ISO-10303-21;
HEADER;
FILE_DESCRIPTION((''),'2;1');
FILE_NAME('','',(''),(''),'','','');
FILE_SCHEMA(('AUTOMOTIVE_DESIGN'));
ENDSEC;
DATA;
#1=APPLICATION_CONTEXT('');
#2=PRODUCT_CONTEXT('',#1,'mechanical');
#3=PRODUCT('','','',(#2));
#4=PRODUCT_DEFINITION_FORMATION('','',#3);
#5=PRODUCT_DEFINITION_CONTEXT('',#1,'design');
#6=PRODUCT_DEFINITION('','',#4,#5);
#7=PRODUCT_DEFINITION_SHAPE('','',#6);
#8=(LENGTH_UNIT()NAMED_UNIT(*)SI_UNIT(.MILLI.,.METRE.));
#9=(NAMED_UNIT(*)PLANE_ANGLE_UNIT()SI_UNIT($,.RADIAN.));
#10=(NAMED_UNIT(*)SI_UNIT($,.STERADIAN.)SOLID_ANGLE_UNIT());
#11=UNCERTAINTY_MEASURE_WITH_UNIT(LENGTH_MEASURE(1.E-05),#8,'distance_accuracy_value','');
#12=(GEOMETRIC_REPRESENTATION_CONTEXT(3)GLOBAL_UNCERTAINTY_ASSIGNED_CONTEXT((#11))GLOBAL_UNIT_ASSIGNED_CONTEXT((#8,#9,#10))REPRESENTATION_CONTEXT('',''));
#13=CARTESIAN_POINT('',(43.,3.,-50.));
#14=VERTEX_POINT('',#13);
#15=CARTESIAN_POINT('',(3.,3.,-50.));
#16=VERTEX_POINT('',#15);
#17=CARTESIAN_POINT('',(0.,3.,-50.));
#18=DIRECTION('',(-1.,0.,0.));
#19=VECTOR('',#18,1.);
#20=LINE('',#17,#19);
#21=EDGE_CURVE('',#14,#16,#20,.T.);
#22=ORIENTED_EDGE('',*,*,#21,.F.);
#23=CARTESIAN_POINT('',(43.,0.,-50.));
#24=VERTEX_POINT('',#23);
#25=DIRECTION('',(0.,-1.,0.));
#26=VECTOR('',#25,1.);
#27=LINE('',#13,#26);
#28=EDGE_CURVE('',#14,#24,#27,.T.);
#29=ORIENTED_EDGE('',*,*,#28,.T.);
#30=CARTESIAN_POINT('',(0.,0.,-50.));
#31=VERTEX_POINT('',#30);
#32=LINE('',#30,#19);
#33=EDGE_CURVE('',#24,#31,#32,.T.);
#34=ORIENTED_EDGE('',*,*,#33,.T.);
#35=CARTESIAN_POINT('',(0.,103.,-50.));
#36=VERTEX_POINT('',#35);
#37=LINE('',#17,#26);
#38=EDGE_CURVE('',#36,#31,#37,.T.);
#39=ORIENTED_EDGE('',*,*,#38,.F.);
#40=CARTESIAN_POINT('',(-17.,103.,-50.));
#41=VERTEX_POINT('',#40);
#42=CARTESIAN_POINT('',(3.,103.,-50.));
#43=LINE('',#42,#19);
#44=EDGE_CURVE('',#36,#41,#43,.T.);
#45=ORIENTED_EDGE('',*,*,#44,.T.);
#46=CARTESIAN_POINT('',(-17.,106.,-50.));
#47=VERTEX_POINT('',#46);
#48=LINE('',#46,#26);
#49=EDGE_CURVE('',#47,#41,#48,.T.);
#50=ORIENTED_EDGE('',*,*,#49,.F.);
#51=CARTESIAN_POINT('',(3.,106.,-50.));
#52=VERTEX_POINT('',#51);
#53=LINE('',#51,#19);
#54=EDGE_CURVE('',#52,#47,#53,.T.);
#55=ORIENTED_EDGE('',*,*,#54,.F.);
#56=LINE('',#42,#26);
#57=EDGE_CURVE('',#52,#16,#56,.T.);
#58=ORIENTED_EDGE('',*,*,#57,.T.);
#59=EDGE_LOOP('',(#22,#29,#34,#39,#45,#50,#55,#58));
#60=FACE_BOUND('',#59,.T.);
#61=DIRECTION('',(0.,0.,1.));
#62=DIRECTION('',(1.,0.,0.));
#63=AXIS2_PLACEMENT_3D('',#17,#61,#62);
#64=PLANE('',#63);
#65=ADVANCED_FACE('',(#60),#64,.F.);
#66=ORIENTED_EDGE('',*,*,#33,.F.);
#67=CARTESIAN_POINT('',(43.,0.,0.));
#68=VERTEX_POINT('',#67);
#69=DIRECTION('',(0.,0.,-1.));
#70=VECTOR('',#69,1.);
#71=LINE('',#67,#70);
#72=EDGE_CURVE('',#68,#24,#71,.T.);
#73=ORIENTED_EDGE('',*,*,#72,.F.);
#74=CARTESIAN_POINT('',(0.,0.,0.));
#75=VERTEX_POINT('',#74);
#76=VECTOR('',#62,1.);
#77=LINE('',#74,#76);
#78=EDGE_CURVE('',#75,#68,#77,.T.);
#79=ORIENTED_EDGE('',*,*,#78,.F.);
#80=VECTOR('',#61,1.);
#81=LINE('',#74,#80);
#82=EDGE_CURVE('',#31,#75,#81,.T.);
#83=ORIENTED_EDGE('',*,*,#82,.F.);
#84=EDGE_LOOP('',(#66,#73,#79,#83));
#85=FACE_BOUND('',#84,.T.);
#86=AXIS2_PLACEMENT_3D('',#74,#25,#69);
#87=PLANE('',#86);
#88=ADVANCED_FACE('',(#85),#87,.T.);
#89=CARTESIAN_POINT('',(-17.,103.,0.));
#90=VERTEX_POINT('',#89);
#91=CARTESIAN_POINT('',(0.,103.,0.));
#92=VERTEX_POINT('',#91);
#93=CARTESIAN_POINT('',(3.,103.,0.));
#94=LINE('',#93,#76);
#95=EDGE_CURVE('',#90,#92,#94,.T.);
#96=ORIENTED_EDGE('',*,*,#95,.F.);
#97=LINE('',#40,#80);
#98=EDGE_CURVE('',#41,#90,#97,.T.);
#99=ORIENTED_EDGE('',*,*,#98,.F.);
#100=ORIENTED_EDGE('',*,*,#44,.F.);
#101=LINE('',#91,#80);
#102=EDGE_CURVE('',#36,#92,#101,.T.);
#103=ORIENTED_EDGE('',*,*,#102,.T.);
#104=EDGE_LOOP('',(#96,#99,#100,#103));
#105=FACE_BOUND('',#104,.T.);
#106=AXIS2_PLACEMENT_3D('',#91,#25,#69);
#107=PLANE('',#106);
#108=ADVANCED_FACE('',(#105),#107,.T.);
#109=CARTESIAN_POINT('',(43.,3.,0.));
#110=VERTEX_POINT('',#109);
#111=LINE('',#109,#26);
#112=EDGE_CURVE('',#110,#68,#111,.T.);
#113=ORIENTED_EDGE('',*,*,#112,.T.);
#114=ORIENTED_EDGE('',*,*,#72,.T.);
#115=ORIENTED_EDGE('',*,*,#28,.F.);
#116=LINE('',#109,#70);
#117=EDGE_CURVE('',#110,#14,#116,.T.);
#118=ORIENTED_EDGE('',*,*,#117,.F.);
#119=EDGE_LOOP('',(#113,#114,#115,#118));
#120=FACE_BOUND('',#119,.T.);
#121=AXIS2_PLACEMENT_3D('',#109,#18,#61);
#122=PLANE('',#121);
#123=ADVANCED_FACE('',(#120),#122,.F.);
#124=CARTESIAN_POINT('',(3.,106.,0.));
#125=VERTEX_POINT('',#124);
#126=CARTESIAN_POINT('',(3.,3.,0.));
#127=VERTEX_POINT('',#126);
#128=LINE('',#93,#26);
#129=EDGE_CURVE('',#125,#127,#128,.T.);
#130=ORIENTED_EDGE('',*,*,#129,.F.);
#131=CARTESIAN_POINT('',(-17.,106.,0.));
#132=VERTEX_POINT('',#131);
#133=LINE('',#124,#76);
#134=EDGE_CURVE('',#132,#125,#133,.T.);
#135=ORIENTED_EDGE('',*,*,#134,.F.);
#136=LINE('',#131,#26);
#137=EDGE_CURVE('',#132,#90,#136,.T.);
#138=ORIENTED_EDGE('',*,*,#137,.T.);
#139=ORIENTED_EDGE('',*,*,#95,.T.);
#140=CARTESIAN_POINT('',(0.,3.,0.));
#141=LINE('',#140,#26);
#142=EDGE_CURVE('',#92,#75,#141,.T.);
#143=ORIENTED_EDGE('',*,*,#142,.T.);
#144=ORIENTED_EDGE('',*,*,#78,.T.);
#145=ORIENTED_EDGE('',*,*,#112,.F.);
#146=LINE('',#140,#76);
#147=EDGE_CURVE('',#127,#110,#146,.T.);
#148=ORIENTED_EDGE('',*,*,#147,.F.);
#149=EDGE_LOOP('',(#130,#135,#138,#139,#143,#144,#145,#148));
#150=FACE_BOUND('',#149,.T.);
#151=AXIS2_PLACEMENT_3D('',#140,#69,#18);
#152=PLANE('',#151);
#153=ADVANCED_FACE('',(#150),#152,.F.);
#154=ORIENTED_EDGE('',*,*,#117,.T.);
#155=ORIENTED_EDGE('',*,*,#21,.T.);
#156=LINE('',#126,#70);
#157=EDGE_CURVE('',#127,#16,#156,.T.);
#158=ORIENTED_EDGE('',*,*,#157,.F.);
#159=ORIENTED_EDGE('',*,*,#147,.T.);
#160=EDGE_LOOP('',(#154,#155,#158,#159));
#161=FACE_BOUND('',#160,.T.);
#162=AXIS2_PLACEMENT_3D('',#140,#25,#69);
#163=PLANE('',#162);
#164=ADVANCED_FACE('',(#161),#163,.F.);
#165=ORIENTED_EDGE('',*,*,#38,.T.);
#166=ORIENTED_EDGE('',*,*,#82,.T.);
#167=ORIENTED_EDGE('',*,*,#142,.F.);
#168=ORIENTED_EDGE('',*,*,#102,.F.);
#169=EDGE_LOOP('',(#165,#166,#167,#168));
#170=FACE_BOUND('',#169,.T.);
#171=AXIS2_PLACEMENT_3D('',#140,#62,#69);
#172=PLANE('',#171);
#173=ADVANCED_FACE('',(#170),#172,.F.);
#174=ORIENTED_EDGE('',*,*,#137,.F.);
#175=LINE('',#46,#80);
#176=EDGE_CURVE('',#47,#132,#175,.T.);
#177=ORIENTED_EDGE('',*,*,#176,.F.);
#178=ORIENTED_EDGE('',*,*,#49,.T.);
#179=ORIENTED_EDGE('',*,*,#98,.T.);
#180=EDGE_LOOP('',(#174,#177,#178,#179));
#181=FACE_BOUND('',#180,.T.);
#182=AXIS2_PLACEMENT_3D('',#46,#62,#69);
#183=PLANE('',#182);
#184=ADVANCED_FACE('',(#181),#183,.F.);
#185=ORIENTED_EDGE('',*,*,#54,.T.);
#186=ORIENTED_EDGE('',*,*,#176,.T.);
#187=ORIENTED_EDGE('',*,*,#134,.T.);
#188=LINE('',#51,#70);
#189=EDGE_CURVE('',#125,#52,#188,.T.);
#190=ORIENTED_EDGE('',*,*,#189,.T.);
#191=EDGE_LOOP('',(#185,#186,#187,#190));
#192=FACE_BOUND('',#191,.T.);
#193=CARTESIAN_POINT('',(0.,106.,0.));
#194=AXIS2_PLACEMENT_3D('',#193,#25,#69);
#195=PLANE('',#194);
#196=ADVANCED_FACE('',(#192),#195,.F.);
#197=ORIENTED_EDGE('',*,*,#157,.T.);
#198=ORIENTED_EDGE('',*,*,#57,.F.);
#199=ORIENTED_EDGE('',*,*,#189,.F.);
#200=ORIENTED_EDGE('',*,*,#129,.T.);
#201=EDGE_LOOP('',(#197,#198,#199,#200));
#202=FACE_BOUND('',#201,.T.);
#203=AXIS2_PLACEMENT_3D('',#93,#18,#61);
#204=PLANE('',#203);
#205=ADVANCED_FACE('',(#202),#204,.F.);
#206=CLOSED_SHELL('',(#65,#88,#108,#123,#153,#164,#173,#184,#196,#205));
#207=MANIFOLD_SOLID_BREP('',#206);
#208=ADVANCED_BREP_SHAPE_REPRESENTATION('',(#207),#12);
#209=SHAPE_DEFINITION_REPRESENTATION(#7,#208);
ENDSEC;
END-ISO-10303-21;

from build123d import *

# Parameters (mm, degrees)
SKETCH1_W      = 43
SKETCH1_H      = 50
EXTRUDE1_DEPTH = 3
SKETCH2_W      = 3
SKETCH2_H      = 50
EXTRUDE2_DEPTH = 100
SKETCH3_W      = 20
SKETCH3_H      = 50
EXTRUDE3_DEPTH = 3


with BuildPart() as part:
    # Sketch1 → Extrude1 (new body)
    with BuildSketch(Plane(origin=(0, 0, 0), x_dir=(1, 0, 0), z_dir=(0, 1, 0))):
        with Locations((21.5, 25)):
            Rectangle(SKETCH1_W, SKETCH1_H)
    extrude(amount=EXTRUDE1_DEPTH)

    # Sketch2 → Extrude2 (add)
    with BuildSketch(Plane(origin=(0, 3, 0), x_dir=(1, 0, 0), z_dir=(0, 1, 0))):
        with Locations((1.5, 25)):
            Rectangle(SKETCH2_W, SKETCH2_H)
    extrude(amount=EXTRUDE2_DEPTH)

    # Sketch3 → Extrude3 (add)
    with BuildSketch(Plane(origin=(0, 103, 0), x_dir=(1, 0, 0), z_dir=(0, 1, 0))):
        with Locations((-7, 25)):
            Rectangle(SKETCH3_W, SKETCH3_H)
    extrude(amount=EXTRUDE3_DEPTH)


solid = part.part
